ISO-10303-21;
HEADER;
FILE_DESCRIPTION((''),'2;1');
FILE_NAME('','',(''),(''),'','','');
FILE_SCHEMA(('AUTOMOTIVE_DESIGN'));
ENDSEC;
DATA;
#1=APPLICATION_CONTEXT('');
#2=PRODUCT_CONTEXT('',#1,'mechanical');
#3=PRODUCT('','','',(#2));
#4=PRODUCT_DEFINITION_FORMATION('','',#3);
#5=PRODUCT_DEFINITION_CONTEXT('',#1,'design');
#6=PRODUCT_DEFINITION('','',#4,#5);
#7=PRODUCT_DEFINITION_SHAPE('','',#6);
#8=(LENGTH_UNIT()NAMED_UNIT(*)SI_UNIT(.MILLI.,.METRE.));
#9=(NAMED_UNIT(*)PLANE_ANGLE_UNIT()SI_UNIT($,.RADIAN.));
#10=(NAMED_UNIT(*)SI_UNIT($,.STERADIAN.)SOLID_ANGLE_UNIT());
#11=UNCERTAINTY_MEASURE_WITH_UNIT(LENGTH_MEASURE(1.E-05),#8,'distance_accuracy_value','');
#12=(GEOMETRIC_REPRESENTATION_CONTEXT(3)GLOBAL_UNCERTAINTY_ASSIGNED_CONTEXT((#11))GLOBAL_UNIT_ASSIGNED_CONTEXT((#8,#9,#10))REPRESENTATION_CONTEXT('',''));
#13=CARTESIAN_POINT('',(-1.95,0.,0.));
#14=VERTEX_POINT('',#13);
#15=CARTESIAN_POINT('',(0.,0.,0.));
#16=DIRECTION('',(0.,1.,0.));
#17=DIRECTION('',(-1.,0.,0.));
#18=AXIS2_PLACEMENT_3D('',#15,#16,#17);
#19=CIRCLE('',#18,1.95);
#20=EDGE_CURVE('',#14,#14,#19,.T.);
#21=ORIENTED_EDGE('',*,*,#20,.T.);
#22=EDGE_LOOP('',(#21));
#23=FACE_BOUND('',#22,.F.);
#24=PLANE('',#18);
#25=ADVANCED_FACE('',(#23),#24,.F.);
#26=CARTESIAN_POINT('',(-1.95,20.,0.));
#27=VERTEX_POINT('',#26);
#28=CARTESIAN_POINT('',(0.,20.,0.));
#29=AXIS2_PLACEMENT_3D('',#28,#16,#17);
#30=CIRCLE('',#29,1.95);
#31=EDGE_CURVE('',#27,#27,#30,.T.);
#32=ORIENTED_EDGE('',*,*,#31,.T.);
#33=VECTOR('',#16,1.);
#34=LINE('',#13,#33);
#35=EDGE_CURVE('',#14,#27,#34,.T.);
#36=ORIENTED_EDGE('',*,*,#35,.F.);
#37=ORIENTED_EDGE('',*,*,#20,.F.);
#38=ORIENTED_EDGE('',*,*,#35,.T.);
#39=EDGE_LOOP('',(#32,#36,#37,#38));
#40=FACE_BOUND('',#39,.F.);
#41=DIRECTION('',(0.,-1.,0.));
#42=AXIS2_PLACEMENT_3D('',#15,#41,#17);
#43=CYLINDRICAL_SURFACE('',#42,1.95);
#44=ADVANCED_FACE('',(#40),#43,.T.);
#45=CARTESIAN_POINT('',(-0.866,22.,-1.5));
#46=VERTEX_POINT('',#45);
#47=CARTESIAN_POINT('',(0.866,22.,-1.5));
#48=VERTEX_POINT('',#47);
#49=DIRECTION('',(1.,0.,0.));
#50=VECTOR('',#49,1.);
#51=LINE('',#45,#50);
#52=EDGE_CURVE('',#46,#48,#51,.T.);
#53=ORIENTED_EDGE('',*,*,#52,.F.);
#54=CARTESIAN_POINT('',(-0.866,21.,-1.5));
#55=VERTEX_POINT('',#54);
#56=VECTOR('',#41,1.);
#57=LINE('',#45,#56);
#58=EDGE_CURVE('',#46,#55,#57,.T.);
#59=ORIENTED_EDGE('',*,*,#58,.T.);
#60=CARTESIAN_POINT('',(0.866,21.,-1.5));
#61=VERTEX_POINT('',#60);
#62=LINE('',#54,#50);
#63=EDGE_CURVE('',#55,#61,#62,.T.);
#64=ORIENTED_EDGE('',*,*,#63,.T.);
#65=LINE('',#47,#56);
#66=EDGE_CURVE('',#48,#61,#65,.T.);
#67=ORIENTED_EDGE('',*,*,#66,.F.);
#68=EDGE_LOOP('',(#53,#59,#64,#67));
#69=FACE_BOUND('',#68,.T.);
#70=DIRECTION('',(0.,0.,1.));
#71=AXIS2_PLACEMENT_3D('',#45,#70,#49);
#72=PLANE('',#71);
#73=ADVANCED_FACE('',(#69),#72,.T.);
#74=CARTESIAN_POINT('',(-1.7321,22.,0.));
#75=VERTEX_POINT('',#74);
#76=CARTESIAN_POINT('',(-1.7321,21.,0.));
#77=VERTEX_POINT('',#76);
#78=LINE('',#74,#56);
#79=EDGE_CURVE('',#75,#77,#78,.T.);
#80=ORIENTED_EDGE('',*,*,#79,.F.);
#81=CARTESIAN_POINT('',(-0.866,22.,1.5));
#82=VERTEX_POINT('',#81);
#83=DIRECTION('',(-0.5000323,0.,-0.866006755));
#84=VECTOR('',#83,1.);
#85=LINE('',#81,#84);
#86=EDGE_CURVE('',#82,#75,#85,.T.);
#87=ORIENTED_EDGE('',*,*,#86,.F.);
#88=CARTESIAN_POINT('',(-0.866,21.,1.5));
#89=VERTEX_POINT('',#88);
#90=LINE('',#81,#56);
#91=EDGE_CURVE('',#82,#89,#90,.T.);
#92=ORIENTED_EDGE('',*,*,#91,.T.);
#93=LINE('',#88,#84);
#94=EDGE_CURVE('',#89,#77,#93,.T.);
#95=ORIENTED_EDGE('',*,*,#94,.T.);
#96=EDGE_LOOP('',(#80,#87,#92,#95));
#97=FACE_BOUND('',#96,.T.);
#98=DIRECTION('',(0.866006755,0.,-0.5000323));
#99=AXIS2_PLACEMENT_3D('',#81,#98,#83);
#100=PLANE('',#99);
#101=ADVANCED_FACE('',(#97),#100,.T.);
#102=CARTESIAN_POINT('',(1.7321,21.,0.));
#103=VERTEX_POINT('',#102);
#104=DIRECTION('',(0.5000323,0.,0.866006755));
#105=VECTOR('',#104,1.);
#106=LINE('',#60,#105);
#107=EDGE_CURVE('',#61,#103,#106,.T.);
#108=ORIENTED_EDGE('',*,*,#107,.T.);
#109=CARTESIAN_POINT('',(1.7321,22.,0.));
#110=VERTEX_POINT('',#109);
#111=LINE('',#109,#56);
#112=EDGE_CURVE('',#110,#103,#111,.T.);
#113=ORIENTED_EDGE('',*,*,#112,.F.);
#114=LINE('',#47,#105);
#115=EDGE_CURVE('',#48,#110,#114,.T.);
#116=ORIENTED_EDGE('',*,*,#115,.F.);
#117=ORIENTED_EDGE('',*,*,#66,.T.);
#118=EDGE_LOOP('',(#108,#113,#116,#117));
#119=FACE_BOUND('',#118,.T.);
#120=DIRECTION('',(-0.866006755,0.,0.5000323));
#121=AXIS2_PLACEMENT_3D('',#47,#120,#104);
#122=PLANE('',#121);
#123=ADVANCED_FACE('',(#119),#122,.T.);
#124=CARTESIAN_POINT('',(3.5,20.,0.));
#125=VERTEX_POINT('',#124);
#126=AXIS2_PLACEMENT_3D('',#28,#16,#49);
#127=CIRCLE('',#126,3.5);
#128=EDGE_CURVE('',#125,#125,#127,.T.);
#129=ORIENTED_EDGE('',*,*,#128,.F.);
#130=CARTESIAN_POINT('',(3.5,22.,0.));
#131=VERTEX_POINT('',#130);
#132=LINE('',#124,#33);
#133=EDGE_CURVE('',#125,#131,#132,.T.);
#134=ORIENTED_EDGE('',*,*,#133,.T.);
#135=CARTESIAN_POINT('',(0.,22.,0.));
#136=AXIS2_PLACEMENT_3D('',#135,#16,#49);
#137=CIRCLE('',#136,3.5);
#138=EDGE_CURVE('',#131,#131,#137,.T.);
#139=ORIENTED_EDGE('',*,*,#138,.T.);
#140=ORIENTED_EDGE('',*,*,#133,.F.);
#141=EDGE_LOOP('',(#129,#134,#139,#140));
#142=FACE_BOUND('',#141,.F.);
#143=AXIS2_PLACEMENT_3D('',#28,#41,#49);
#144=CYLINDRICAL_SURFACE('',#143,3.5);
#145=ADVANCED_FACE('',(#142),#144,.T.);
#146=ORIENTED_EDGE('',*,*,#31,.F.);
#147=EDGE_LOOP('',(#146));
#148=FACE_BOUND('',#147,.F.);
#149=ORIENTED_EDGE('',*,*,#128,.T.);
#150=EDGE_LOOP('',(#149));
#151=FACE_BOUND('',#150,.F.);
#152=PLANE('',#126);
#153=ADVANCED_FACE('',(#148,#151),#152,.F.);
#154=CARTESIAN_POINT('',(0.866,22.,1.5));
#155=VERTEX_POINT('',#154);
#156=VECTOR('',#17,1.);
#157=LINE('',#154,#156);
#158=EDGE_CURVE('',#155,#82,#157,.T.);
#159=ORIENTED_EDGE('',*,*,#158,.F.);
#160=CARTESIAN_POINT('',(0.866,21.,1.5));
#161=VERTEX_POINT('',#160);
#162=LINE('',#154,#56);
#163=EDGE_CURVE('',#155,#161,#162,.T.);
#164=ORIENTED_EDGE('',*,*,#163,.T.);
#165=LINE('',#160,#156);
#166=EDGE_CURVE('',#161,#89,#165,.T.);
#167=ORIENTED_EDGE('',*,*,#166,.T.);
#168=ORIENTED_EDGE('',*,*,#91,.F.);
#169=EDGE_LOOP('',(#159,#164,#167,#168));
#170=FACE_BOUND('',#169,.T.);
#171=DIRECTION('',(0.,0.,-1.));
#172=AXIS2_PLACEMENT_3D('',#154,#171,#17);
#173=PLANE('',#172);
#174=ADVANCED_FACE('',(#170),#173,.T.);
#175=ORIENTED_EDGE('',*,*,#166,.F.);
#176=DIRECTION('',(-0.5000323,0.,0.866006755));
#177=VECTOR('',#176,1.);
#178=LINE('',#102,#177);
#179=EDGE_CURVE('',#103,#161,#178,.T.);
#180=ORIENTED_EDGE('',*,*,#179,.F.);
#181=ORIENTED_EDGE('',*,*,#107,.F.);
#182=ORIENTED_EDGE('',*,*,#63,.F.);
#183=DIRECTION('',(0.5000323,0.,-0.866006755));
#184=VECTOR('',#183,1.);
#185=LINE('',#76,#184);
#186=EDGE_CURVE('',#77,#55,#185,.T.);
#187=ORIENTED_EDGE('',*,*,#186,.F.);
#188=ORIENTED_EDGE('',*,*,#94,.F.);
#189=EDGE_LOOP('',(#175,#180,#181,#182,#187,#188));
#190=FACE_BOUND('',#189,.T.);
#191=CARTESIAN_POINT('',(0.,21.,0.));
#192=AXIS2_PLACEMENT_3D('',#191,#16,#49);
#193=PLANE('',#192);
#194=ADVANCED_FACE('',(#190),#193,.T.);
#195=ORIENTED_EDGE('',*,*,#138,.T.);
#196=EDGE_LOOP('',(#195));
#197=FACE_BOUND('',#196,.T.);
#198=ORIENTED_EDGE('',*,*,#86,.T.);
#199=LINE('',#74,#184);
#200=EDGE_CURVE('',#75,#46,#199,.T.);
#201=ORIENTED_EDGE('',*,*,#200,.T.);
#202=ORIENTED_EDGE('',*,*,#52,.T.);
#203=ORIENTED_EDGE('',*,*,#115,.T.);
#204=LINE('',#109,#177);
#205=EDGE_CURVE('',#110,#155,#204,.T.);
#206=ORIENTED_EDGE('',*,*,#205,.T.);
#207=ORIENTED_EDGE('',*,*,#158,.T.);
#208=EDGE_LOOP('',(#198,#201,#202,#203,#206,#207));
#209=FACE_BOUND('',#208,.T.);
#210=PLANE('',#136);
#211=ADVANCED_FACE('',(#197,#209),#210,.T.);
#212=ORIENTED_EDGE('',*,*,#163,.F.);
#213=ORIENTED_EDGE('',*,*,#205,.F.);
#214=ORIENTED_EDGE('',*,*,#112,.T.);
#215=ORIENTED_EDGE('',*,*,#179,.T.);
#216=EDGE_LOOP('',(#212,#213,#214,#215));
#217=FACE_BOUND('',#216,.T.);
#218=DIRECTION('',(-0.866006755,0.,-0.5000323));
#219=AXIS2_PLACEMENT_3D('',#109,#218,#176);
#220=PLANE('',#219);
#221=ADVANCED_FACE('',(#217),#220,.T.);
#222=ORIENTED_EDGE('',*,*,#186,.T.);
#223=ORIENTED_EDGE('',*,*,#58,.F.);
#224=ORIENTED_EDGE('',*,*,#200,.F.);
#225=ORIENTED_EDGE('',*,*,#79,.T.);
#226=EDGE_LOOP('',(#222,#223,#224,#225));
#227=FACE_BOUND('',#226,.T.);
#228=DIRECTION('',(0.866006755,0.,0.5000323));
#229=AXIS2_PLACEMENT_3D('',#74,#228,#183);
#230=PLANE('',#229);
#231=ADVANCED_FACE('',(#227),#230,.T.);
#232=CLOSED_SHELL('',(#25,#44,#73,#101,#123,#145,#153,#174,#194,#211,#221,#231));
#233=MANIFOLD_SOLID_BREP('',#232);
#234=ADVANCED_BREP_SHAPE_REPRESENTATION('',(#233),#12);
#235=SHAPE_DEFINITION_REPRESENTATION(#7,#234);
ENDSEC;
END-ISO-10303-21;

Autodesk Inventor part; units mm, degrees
ref_plane "YZ Plane" through (0, 0, 0) normal (1, 0, 0) x (0, 1, 0)
ref_plane "XZ Plane" through (0, 0, 0) normal (0, 1, 0) x (-1, 0, 0)
ref_plane "XY Plane" through (0, 0, 0) normal (0, 0, 1) x (1, 0, 0)
sketch "Sketch1" plane through (0, 0, 0) normal (0, 1, 0) x (-1, 0, 0)
  circle A0 centre (0, 0) radius 1.95
  dimension "d0" = 3.9
extrude "Extrusion1" add sketch "Sketch1" along normal blind 20
sketch "Sketch2" plane through (0, 20, 0) normal (0, 1, 0) x (1, 0, 0)
  circle A0 centre (0, 0) radius 3.5
  dimension "d3" = 7
extrude "Extrusion2" add sketch "Sketch2" along normal blind 2
thread "Thread1" size "M5x0.8" class "6g" standard "ANSI Metric M Profile" full length
sketch "Sketch3" plane through (0, 22, 0) normal (0, 1, 0) x (1, 0, 0)
  line L0 (0.866, 1.5) -> (1.7321, 0)
  line L1 (1.7321, 0) -> (0.866, -1.5)
  line L2 (0.866, -1.5) -> (-0.866, -1.5)
  line L3 (-0.866, -1.5) -> (-1.7321, 0)
  line L4 (-1.7321, 0) -> (-0.866, 1.5)
  line L5 (-0.866, 1.5) -> (0.866, 1.5)
  point P0 (0, 0)
  point P1 (0, 0)
  dimension "d8" = 3
extrude "Extrusion3" cut sketch "Sketch3" against normal blind 1
equation "\"BendRadius\" = Thickness"
equation "\"BendReliefWidth\" = Thickness"
equation "\"BendReliefDepth\" = 0.5 * Thickness"
equation "\"CornerReliefSize\" = 4 * Thickness"
equation "\"MinimumRemnant\" = 2 * Thickness"
equation "\"TransitionRadius\" = BendRadius"
equation "\"JacobiRadiusSize\" = BendRadius"
equation "\"GapSize\" = Thickness"
equation "\"Thickness\" = 0.5"
properties part number "perno_simple"
